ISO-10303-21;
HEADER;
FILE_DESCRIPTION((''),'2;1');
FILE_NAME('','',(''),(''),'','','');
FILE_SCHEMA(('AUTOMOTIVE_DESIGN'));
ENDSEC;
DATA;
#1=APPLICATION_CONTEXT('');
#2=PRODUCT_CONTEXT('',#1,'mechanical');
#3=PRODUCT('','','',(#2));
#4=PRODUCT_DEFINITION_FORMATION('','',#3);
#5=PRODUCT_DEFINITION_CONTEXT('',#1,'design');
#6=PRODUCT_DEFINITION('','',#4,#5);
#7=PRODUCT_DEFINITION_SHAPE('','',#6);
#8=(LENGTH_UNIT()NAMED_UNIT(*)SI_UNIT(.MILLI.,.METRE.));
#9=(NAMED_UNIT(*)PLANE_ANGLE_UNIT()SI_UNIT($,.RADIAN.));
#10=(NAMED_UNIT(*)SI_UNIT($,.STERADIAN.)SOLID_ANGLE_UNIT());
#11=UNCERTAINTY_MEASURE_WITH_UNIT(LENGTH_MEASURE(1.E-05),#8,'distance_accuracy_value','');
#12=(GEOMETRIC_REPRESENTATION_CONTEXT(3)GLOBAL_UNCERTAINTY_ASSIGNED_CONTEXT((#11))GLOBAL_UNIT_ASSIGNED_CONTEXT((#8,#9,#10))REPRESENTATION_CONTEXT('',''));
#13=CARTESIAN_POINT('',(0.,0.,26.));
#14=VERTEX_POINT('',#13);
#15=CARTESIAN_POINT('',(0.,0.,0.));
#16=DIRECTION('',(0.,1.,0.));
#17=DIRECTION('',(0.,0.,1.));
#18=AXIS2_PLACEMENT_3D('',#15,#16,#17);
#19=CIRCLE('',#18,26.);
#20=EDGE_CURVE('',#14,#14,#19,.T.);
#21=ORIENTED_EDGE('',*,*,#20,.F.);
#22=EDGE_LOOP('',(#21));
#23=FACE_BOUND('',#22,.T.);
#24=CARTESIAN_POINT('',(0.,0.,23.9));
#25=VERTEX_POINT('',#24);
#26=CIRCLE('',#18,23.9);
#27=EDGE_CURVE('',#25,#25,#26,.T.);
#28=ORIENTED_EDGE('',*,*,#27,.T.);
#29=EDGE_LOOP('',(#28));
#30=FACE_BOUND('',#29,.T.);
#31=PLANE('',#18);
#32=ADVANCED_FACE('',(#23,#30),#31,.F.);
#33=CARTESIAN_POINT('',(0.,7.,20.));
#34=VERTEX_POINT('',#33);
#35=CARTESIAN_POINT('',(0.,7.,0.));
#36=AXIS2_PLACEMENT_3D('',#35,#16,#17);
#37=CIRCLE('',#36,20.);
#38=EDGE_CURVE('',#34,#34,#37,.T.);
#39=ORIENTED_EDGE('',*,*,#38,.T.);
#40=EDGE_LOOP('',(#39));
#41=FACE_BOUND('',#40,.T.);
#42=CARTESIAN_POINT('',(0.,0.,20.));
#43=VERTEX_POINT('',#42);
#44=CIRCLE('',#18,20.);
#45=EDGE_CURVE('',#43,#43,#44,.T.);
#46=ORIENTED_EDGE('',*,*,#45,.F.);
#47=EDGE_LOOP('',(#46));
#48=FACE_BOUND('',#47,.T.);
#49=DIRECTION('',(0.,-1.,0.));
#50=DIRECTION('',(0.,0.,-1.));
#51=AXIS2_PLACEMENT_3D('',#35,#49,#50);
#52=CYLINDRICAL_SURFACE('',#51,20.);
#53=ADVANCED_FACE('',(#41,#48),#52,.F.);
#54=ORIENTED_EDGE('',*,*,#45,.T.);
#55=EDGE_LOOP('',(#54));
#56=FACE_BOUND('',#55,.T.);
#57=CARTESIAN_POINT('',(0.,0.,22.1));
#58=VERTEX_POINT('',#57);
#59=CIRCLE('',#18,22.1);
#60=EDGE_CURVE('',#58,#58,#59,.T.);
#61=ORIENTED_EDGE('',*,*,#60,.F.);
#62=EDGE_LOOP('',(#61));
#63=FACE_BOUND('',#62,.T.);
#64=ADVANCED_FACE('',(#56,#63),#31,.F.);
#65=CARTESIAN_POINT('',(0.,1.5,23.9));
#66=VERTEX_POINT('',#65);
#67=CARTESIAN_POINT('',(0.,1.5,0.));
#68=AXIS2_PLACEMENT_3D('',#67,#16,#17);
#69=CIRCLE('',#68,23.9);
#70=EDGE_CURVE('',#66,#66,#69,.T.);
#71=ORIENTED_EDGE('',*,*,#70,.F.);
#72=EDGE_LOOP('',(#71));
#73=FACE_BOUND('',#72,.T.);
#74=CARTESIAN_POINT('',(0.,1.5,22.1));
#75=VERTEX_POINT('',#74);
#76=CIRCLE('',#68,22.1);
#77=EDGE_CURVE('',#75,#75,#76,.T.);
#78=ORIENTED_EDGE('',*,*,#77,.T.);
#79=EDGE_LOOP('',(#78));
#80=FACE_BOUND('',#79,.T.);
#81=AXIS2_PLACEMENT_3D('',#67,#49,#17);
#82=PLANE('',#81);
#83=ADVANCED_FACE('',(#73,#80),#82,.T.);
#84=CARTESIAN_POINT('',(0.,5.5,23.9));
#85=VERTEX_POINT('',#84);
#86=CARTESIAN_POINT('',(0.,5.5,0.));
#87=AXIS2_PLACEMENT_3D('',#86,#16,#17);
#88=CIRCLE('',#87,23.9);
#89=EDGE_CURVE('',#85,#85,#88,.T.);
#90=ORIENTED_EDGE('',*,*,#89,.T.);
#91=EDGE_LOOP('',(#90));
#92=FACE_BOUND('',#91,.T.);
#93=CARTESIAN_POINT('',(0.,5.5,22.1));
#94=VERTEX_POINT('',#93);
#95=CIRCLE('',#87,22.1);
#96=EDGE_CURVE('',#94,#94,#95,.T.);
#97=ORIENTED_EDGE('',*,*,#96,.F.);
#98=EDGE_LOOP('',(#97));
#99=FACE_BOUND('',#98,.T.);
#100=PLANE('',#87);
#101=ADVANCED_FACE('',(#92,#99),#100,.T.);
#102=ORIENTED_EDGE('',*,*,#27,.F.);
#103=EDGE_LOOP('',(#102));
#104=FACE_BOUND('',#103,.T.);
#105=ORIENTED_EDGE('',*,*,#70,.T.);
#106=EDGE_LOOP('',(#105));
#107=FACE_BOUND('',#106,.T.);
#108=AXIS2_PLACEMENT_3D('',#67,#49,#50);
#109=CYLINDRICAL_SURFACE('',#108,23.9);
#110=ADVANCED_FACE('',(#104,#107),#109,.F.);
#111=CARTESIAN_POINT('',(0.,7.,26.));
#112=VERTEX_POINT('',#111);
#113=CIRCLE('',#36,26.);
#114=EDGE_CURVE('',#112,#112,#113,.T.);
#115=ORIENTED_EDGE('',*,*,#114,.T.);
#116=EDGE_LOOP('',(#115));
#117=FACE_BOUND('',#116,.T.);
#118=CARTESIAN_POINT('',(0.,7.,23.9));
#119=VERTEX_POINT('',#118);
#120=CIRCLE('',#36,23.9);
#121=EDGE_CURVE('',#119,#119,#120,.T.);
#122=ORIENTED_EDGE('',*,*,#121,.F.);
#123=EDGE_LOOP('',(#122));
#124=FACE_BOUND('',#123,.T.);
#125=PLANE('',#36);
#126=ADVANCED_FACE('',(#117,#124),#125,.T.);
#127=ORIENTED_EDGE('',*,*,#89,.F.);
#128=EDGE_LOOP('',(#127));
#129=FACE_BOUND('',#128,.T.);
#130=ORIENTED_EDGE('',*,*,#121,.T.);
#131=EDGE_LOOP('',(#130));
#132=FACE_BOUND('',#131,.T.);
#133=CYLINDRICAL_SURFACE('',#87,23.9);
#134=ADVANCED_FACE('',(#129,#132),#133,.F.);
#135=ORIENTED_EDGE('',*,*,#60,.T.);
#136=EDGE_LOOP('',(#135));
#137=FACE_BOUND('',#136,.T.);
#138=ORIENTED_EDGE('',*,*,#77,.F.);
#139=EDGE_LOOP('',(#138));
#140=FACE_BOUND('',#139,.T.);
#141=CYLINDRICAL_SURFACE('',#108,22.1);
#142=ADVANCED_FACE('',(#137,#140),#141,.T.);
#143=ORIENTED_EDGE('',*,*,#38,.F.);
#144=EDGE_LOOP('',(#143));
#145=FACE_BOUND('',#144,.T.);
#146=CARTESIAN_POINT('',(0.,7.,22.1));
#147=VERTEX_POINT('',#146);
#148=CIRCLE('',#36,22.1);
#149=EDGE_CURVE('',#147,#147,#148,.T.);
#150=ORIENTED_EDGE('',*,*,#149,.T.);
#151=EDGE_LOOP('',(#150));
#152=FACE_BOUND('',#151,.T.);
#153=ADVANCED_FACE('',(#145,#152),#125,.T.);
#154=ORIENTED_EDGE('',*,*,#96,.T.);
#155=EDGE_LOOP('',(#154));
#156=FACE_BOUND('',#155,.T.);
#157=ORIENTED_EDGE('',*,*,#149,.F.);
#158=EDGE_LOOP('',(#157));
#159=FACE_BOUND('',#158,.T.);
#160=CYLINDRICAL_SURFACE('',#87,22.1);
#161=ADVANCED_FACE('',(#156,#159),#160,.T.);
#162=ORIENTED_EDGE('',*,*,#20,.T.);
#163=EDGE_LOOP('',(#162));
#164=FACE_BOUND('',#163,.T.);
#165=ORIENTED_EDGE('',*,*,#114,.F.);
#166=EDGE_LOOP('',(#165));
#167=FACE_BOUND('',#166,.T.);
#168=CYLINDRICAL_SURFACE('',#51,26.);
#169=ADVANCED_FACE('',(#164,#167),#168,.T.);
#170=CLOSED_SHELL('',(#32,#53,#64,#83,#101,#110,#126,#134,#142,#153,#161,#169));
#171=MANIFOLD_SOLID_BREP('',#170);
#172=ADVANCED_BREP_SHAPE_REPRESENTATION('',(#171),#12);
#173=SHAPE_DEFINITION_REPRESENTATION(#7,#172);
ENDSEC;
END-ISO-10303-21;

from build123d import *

# Parameters (mm, degrees)
SKETCH_1_R          = 26
SKETCH_1_R_2        = 20
EXTRUDE_1_DEPTH     = 7
SKETCH_2_R          = 23.9
SKETCH_2_R_2        = 22.1
CUT_EXTRUDE_1_DEPTH = 1.5


with BuildPart() as part:
    # 草图1 → 凸台-拉伸1 (new body)
    with BuildSketch(Plane(origin=(0, 0, 0), x_dir=(1, 0, 0), z_dir=(0, 1, 0))):
        Circle(SKETCH_1_R)
        Circle(SKETCH_1_R_2, mode=Mode.SUBTRACT)
    extrude(amount=EXTRUDE_1_DEPTH)

    # 草图2 → 切除-拉伸1 (cut)
    with BuildSketch(Plane(origin=(0, 7, 0), x_dir=(1, 0, 0), z_dir=(0, 1, 0))):
        Circle(SKETCH_2_R)
        Circle(SKETCH_2_R_2, mode=Mode.SUBTRACT)
    cut_extrude_1 = extrude(amount=-CUT_EXTRUDE_1_DEPTH, mode=Mode.SUBTRACT)

    # 镜向1: 切除-拉伸1 across plane
    add(cut_extrude_1.mirror(Plane.ZX.offset(3.5)), mode=Mode.SUBTRACT)


solid = part.part
